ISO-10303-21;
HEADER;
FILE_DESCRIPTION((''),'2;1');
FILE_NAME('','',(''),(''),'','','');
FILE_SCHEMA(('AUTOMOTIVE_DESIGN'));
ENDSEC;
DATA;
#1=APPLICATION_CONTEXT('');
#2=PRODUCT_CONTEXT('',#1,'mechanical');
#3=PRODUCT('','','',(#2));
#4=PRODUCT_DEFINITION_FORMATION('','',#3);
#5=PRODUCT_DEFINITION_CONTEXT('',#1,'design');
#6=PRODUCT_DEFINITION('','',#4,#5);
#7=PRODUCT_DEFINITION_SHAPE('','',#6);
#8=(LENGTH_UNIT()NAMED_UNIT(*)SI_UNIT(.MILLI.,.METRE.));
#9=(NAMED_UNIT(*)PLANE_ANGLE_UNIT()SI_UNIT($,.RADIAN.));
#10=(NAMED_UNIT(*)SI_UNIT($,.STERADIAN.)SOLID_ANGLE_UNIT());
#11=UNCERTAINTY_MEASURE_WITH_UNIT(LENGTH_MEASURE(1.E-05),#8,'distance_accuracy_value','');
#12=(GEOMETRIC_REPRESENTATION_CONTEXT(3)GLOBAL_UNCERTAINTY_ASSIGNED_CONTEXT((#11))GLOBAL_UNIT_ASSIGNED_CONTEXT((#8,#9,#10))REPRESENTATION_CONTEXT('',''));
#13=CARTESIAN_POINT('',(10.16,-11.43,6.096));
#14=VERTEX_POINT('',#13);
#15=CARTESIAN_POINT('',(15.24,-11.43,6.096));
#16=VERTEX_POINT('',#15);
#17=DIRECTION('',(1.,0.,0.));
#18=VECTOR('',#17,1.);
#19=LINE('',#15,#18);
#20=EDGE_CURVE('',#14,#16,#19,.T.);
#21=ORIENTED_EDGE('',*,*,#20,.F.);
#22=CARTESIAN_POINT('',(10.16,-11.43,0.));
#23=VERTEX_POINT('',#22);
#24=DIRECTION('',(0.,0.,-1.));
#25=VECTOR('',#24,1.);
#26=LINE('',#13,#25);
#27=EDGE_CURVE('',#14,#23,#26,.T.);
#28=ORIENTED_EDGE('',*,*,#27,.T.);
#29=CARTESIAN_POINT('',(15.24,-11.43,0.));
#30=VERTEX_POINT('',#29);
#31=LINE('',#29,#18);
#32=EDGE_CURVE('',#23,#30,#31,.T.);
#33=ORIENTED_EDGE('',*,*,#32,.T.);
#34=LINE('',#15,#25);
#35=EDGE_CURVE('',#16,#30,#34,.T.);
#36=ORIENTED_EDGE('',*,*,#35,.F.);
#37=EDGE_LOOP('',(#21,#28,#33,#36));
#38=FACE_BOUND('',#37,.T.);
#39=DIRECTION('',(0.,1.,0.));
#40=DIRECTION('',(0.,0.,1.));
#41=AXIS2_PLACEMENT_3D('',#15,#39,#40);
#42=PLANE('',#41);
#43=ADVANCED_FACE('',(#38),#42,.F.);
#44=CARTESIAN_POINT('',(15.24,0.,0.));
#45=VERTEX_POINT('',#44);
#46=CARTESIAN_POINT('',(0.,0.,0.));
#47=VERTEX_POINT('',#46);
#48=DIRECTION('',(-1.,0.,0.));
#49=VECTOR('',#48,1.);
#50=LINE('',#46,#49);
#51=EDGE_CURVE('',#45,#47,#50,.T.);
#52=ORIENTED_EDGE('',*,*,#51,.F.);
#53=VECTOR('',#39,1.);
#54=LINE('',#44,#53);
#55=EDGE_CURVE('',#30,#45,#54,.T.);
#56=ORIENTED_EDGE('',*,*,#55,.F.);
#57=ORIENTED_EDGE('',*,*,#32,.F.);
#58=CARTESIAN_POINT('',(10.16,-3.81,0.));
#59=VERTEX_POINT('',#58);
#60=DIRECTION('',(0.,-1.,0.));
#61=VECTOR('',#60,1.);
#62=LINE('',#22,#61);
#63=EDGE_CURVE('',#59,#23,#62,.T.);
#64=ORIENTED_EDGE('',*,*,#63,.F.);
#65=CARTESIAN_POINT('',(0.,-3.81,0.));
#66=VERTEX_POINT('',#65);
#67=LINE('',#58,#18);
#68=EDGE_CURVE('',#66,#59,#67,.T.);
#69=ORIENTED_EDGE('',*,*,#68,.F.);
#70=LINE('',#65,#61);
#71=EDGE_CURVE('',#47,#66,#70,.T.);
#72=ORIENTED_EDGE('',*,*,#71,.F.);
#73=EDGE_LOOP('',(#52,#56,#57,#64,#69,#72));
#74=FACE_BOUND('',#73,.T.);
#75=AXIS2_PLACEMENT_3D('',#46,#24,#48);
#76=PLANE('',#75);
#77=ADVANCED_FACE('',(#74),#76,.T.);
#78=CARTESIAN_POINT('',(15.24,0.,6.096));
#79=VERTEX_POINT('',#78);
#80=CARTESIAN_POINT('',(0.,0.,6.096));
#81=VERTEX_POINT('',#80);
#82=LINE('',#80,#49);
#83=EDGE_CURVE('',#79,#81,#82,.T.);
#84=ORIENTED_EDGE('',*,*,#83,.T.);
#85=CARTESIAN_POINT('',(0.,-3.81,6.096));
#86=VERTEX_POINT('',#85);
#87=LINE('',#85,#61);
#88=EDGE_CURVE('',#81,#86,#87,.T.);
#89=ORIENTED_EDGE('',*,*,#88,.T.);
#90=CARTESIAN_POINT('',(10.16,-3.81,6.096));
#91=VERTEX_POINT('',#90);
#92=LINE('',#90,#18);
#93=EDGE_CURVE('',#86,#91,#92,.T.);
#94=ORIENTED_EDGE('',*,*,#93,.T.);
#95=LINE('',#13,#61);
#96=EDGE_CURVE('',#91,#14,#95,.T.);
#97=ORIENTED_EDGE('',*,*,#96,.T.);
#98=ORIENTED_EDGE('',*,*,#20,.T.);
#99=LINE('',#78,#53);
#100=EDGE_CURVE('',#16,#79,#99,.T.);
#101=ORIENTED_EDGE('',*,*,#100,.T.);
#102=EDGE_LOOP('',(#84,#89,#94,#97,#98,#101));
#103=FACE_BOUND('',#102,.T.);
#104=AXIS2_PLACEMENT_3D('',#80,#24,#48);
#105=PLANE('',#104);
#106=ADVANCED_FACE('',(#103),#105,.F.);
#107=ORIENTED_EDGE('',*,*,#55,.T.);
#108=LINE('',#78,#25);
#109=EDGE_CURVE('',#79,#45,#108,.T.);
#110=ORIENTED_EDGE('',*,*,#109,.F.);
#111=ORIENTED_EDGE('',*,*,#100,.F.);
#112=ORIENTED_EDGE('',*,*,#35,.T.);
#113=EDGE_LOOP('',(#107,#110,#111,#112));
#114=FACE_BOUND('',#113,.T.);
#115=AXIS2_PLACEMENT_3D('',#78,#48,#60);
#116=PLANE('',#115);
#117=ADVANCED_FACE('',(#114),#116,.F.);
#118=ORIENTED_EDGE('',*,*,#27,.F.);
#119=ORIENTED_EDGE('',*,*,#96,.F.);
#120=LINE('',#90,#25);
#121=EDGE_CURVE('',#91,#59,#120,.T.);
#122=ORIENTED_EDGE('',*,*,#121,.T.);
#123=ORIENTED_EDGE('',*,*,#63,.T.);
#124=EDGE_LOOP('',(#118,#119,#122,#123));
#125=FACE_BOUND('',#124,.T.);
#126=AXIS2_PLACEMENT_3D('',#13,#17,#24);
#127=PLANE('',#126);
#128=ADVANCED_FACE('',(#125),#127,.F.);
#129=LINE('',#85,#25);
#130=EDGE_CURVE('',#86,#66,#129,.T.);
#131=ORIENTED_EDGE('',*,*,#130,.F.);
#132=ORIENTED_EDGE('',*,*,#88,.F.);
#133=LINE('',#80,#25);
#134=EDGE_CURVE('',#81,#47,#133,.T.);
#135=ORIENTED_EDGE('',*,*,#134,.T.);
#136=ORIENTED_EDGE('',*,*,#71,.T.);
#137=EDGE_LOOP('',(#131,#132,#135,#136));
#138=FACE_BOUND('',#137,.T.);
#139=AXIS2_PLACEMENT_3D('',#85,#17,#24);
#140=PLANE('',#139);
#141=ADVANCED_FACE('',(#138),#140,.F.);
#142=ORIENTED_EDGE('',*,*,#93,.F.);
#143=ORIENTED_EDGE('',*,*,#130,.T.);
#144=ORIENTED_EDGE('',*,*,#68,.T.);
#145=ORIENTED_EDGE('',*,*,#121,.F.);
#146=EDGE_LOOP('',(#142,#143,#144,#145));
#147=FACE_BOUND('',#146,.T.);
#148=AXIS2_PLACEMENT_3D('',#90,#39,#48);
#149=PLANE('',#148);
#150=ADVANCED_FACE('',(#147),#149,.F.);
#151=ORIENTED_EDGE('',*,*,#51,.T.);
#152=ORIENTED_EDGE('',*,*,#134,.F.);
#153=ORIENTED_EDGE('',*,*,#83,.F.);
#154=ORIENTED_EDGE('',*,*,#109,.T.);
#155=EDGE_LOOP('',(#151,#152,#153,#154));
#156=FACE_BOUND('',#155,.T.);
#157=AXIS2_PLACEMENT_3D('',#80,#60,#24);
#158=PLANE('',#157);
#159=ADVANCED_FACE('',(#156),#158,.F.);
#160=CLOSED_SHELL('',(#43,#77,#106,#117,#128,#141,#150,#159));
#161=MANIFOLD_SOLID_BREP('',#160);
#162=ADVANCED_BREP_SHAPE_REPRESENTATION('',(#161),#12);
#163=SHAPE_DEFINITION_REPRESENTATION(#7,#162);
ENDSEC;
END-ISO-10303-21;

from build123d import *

# Parameters (mm, degrees)
BOSS_EXTRUDE1_DEPTH = 6.096


with BuildPart() as part:
    # Sketch2 → Boss-Extrude1 (new body)
    with BuildSketch(Plane.XY):
        Polygon((0, 0), (15.24, 0), (15.24, -11.43), (10.16, -11.43), (10.16, -3.81), (0, -3.81), align=None)
    extrude(amount=BOSS_EXTRUDE1_DEPTH)


solid = part.part
